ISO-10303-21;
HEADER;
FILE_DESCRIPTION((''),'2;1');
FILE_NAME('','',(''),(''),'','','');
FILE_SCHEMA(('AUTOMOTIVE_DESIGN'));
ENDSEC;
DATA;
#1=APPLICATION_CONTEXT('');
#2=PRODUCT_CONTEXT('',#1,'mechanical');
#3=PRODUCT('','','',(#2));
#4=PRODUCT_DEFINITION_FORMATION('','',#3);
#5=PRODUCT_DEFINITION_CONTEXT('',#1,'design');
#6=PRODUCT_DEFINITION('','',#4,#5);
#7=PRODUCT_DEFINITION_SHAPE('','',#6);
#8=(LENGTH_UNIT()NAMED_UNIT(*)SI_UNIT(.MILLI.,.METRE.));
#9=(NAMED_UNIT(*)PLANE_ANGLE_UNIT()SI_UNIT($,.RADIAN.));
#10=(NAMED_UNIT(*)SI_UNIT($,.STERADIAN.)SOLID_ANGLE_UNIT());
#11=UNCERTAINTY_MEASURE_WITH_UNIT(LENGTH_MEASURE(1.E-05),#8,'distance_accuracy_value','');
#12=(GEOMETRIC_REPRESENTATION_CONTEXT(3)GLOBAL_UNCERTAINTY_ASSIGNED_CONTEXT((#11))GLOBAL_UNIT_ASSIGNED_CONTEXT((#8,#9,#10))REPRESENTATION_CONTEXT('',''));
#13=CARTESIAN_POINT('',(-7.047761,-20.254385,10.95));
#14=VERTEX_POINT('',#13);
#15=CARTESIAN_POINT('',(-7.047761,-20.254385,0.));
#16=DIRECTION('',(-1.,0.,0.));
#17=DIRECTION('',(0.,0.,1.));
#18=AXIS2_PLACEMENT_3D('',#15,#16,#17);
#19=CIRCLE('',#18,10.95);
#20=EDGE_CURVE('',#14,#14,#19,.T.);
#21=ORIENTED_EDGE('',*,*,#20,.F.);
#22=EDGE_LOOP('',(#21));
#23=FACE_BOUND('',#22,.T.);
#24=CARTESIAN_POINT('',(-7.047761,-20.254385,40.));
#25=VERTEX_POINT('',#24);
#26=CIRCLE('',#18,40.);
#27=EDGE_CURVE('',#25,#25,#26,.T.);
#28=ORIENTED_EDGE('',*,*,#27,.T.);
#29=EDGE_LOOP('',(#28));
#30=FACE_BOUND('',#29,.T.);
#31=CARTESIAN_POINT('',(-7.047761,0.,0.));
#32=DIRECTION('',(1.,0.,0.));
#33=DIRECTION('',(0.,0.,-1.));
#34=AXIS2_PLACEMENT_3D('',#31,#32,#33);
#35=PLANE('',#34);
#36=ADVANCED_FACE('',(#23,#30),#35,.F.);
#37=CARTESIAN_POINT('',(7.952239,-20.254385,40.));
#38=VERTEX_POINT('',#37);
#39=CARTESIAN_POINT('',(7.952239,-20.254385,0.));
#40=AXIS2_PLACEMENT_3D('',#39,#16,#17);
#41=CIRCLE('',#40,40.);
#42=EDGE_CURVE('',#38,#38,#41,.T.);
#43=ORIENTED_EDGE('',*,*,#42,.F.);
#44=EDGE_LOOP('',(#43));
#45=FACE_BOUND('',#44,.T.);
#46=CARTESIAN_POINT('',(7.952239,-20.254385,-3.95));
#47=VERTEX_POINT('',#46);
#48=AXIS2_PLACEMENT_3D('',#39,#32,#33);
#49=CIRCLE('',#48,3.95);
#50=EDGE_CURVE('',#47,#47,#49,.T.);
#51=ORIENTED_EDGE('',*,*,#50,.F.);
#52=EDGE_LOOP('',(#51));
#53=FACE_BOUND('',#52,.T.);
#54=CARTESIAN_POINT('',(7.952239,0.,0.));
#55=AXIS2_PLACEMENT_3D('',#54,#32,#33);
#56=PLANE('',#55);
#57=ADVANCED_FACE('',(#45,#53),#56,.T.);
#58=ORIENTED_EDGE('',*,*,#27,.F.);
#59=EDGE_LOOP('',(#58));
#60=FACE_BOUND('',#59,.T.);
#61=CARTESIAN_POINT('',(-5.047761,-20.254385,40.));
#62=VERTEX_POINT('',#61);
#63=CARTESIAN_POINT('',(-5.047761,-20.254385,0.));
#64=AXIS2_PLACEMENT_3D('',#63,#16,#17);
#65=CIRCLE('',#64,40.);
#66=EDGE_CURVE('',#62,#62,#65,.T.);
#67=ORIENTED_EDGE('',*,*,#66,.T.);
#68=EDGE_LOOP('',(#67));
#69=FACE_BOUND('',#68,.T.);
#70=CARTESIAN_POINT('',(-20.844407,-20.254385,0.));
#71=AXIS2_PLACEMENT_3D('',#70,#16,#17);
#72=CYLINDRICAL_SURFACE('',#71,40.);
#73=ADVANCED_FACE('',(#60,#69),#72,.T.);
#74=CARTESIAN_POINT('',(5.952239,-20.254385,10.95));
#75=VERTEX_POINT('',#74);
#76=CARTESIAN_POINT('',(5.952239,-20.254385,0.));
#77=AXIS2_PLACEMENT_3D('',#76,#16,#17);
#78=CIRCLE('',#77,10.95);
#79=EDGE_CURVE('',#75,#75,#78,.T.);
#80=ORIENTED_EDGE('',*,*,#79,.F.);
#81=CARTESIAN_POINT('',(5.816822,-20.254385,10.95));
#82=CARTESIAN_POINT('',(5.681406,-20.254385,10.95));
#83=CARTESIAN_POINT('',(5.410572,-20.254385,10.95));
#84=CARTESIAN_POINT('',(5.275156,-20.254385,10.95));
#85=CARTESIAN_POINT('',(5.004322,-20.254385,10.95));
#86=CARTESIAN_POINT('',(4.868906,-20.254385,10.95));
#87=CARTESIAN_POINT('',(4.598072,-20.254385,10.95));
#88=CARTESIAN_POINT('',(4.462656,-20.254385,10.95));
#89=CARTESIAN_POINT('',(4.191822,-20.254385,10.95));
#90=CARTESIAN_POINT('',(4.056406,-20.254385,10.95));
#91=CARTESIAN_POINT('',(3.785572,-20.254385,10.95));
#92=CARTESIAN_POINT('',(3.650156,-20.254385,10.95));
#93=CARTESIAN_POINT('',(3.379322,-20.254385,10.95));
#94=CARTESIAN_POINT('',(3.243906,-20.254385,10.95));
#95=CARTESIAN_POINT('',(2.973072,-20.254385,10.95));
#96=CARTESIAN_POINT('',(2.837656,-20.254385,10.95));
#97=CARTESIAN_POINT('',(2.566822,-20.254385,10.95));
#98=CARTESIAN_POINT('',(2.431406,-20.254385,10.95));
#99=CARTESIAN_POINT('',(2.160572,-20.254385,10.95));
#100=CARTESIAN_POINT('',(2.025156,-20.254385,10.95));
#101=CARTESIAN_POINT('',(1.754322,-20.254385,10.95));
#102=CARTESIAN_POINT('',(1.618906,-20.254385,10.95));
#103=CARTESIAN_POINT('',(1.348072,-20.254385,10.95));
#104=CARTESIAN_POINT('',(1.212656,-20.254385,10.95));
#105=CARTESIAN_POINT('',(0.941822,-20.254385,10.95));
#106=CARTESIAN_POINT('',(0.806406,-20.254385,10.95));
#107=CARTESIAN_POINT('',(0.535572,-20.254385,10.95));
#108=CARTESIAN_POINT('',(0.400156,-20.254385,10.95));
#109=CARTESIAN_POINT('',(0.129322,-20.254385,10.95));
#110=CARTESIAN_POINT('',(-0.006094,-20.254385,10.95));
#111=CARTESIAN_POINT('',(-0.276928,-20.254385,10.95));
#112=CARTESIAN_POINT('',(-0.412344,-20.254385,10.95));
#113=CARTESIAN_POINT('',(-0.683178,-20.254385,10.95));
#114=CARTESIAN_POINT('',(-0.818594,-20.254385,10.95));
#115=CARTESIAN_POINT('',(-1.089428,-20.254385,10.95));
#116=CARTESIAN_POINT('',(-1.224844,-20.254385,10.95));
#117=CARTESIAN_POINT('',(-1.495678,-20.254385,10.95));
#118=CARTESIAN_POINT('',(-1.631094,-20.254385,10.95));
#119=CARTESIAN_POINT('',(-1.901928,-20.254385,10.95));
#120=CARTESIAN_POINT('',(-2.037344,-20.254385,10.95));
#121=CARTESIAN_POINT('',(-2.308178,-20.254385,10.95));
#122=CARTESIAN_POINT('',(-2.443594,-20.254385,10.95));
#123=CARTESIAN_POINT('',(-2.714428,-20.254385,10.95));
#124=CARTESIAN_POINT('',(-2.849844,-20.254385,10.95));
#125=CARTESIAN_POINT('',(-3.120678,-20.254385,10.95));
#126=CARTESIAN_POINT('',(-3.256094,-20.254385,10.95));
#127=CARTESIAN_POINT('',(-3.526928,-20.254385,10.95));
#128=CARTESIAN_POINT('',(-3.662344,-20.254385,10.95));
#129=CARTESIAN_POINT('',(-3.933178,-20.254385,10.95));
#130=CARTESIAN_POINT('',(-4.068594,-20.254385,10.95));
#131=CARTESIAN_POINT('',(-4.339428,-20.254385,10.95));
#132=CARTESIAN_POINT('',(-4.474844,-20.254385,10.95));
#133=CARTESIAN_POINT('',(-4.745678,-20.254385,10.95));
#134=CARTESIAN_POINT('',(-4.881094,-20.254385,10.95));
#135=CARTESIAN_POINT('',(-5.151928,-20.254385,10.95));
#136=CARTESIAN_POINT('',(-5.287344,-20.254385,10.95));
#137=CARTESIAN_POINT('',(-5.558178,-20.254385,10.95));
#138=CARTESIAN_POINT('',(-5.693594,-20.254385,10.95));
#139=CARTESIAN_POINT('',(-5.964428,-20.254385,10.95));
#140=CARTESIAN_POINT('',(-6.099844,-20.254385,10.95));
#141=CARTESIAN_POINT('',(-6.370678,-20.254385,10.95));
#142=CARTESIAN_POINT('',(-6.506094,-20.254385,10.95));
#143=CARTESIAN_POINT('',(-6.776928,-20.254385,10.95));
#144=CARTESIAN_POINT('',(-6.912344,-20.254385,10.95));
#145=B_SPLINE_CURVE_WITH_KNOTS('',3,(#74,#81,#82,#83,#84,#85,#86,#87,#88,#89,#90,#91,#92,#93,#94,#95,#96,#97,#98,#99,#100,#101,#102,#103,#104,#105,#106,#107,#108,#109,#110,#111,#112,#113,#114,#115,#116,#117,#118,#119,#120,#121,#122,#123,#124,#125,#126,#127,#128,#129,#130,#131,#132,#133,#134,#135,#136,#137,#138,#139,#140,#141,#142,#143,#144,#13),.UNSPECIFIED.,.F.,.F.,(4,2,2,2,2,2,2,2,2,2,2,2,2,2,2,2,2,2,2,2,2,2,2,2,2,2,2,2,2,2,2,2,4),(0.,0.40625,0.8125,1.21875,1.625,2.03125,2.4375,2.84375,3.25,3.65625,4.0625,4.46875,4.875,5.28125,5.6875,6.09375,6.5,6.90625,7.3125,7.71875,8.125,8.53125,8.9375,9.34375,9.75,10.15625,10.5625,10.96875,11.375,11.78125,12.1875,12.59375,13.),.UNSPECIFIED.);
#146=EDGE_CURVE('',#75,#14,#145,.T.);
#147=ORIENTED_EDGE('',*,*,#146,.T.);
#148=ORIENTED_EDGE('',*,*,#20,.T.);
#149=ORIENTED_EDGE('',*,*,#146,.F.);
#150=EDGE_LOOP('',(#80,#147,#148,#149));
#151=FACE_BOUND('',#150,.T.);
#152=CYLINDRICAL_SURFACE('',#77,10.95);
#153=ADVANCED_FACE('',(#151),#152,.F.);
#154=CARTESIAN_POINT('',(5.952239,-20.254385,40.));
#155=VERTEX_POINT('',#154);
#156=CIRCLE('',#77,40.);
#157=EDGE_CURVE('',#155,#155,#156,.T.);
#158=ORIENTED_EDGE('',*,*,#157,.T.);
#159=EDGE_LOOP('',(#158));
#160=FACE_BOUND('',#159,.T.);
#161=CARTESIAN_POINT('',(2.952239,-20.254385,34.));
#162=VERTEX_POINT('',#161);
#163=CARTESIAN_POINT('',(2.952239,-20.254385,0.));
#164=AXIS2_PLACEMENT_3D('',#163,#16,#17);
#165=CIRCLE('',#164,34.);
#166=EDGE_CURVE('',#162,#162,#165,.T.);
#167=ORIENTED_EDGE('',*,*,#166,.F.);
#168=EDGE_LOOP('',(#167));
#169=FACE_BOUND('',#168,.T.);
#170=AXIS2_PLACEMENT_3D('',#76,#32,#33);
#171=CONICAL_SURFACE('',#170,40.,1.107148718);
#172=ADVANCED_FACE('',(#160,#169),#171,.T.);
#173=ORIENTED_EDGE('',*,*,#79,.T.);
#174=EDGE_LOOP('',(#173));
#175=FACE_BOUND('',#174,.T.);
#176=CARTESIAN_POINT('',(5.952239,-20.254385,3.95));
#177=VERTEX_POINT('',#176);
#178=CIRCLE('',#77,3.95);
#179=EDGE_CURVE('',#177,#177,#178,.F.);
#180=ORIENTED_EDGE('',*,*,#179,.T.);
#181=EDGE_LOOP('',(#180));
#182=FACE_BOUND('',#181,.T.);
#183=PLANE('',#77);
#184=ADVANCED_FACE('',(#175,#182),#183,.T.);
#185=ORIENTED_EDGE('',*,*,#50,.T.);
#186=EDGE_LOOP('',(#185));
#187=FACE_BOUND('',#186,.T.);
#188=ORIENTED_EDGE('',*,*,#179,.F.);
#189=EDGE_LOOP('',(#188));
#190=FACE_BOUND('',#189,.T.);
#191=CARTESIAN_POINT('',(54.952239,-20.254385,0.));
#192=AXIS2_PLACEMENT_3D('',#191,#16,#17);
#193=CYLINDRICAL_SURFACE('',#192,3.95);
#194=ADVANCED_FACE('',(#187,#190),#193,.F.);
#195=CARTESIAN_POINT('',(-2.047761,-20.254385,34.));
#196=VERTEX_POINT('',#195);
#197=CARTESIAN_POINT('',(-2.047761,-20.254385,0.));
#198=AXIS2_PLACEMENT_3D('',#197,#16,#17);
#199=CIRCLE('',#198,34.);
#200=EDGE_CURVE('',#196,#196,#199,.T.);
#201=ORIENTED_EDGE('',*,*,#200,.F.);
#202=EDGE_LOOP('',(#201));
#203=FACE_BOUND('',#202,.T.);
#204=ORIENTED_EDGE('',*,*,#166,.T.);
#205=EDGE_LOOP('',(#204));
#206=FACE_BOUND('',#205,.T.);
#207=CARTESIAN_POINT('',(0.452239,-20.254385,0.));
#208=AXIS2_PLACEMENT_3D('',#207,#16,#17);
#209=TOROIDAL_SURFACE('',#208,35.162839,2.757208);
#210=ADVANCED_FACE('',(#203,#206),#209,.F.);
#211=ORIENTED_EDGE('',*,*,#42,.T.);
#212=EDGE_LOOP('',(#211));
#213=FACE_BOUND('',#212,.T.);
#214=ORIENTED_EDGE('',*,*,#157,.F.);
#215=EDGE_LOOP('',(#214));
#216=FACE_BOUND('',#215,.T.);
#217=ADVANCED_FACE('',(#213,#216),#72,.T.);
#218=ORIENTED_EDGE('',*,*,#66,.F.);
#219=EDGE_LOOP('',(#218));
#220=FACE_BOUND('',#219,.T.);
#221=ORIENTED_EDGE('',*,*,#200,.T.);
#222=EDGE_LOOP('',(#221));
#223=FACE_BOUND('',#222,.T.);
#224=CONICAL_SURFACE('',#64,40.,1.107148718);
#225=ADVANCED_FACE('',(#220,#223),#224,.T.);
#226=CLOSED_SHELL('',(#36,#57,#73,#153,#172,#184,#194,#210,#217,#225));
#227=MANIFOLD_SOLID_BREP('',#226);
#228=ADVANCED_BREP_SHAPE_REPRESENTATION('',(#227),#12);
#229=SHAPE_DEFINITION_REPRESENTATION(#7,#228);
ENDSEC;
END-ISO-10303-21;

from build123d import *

# Parameters (mm, degrees)
CROQUIS2_R            = 3.95
CORTAR_EXTRUIR1_DEPTH = 62
CROQUIS3_R            = 10.95
CORTAR_EXTRUIR2_DEPTH = 13


with BuildPart() as part:
    # Croquis1 → Revolución1 (revolve)
    with BuildSketch(Plane.XY, mode=Mode.PRIVATE) as revoluci_n1_sk:
        with BuildLine():
            Line((5.952239129, 19.74561549), (2.952239129, 13.74561549))
            ThreePointArc((2.952239129, 13.74561549), (0.452239129, 12.151246549), (-2.047760871, 13.74561549))
            Line((-2.047760871, 13.74561549), (-5.047760871, 19.74561549))
            Line((-5.047760871, 19.74561549), (-7.047760871, 19.74561549))
            Line((-7.047760871, 19.74561549), (-7.047760871, -20.25438451))
            Line((-7.047760871, -20.25438451), (7.952239129, -20.25438451))
            Line((7.952239129, -20.25438451), (7.952239129, 19.74561549))
            Line((7.952239129, 19.74561549), (5.952239129, 19.74561549))
        make_face()
    revolve(revoluci_n1_sk.sketch.rotate(Axis((-20.844407183, -20.25438451, 0), (1, 0, 0)), 90), axis=Axis((-20.844407183, -20.25438451, 0), (1, 0, 0)))

    # Croquis2 → Cortar-Extruir1 (cut)
    with BuildSketch(Plane.ZY.offset(7.047760871)):
        with Locations((0, -20.25438451)):
            Circle(CROQUIS2_R)
    extrude(amount=-CORTAR_EXTRUIR1_DEPTH, mode=Mode.SUBTRACT)

    # Croquis3 → Cortar-Extruir2 (cut)
    with BuildSketch(Plane.ZY.offset(7.047760871)):
        with Locations((0, -20.25438451)):
            Circle(CROQUIS3_R)
    extrude(amount=-CORTAR_EXTRUIR2_DEPTH, mode=Mode.SUBTRACT)


solid = part.part
